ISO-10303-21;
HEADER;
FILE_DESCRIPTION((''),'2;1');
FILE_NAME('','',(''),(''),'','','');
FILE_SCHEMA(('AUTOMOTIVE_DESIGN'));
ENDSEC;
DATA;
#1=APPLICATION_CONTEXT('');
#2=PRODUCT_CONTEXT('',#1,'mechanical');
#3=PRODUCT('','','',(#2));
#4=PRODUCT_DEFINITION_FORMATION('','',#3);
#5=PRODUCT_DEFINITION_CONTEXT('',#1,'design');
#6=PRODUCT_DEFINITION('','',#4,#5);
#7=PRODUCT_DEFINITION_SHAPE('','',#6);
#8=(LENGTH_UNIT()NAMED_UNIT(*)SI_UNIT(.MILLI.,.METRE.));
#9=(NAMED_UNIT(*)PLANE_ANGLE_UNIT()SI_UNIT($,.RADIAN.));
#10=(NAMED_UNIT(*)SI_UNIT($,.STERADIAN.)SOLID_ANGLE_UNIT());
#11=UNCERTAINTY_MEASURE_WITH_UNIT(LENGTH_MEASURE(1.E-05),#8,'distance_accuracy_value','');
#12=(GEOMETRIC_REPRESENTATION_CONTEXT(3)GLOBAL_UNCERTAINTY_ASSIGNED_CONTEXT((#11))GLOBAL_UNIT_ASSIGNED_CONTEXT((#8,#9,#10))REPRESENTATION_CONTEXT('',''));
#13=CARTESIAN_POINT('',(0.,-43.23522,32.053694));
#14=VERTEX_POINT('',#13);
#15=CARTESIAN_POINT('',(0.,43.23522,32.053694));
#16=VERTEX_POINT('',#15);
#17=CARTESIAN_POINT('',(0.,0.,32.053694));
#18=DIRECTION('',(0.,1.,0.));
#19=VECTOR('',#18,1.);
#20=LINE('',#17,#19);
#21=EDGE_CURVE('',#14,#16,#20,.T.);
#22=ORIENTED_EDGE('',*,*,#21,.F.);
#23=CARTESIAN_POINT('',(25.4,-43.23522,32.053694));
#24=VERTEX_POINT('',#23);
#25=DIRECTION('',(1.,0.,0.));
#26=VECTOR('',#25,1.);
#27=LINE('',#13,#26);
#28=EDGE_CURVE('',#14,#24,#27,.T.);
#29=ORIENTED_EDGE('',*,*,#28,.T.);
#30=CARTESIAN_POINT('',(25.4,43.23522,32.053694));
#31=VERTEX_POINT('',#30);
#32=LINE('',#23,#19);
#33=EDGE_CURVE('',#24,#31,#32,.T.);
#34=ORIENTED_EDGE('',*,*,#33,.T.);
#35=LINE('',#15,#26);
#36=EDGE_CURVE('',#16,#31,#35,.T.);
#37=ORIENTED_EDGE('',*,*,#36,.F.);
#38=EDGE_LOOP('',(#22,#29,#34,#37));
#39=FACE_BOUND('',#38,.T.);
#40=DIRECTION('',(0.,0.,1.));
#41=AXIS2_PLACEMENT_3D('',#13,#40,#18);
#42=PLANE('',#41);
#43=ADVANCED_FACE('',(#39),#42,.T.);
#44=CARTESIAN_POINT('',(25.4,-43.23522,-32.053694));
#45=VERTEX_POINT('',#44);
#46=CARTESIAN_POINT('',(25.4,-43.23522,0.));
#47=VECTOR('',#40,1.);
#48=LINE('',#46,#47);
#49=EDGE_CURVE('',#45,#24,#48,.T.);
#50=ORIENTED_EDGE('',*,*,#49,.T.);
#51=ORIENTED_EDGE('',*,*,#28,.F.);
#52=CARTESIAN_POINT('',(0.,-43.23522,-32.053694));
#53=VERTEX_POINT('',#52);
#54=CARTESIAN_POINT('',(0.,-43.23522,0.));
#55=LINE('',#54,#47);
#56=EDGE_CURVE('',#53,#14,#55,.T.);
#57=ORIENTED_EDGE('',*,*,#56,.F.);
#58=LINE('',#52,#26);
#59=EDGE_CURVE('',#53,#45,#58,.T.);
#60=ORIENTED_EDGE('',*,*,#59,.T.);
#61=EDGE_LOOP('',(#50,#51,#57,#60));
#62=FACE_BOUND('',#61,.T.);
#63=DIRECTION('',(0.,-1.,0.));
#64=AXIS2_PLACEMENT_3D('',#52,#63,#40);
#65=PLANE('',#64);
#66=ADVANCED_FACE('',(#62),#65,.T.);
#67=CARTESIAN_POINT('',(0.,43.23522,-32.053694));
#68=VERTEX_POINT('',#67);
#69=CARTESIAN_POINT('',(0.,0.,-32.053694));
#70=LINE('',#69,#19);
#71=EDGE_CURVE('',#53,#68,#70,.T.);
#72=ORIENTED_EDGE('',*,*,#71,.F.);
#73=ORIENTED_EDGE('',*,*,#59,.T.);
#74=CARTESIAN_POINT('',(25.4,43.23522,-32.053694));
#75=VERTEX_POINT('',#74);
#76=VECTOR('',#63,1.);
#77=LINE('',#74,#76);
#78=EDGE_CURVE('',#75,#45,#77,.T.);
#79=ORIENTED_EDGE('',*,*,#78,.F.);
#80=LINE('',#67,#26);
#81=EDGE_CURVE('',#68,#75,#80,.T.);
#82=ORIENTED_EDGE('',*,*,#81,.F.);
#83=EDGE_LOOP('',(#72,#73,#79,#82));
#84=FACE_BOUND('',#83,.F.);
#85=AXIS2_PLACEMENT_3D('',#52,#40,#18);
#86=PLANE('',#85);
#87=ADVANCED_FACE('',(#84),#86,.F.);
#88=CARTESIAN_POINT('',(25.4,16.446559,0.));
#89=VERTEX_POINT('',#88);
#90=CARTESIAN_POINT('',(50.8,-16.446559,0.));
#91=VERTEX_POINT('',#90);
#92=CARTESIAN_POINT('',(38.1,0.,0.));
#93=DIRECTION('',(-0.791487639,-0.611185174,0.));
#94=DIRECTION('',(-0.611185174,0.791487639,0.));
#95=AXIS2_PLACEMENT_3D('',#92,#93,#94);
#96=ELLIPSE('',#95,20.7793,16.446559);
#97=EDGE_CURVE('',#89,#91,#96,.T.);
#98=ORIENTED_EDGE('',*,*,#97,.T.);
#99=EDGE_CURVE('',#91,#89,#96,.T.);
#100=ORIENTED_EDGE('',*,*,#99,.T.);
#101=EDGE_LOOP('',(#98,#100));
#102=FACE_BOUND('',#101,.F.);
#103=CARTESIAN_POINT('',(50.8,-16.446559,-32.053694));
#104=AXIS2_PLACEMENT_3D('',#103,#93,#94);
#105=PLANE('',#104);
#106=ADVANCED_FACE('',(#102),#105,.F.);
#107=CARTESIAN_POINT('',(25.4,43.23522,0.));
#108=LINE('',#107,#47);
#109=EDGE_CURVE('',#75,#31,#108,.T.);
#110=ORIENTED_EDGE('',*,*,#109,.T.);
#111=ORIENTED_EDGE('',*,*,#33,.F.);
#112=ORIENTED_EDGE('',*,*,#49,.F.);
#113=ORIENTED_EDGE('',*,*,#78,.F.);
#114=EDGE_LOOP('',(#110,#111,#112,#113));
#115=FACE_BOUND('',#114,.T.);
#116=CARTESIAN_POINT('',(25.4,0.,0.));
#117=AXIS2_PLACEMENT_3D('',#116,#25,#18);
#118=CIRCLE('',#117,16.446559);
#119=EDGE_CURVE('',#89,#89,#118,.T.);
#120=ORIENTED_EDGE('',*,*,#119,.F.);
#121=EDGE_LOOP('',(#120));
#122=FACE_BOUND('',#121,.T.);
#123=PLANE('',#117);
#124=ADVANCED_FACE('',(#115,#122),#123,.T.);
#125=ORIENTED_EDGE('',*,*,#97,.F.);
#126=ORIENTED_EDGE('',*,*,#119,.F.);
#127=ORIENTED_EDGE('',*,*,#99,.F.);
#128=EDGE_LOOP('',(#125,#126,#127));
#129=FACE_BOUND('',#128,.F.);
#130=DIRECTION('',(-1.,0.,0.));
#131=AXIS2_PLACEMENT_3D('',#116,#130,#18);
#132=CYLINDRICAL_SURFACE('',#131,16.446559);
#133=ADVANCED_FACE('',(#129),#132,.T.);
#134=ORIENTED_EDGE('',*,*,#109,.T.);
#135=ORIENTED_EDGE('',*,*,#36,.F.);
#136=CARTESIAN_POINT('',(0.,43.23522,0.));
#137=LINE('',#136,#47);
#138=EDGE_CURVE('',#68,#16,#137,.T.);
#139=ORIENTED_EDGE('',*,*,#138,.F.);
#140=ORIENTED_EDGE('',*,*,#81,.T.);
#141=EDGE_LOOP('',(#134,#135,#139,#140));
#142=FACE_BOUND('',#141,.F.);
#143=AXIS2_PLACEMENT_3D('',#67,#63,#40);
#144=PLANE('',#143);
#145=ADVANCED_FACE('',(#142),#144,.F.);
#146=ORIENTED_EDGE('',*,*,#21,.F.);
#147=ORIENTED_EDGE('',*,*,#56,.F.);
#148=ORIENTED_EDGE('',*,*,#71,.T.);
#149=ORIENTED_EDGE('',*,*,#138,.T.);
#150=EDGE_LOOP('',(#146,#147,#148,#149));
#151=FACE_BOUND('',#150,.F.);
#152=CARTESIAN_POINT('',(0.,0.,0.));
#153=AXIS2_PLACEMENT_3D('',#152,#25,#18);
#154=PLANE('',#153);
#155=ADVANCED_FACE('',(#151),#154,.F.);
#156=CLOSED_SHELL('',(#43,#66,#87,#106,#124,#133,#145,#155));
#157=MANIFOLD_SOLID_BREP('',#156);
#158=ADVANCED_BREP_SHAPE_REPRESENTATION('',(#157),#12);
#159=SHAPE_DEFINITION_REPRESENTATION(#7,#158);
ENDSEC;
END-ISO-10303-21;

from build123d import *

# Parameters (mm, degrees)
F0_W     = 86.47044
F0_H     = 64.107388
F1_DEPTH = 25.4
F2_R     = 16.446559
F3_DEPTH = 25.4
F5_DEPTH = 64.108388


with BuildPart() as f1:
    # F0 (on Right) → F1 (new body)
    with BuildSketch(Plane.YZ):
        Rectangle(F0_W, F0_H)
    extrude(amount=F1_DEPTH)

    # F2 (on face) → F3 (join)
    with BuildSketch(Plane.YZ.offset(25.4)):
        Circle(F2_R)
    extrude(amount=F3_DEPTH)

    # F4 (on face) → F5 (cut, through all)
    with BuildSketch(Plane(origin=(0, 0, -32.053694), x_dir=(1, 0, 0), z_dir=(0, 0, -1))):
        Polygon((50.8, -16.446559), (50.8, 16.446559), (25.4, -16.446559), align=None)
    extrude(amount=-F5_DEPTH, mode=Mode.SUBTRACT)


solid = f1.part
